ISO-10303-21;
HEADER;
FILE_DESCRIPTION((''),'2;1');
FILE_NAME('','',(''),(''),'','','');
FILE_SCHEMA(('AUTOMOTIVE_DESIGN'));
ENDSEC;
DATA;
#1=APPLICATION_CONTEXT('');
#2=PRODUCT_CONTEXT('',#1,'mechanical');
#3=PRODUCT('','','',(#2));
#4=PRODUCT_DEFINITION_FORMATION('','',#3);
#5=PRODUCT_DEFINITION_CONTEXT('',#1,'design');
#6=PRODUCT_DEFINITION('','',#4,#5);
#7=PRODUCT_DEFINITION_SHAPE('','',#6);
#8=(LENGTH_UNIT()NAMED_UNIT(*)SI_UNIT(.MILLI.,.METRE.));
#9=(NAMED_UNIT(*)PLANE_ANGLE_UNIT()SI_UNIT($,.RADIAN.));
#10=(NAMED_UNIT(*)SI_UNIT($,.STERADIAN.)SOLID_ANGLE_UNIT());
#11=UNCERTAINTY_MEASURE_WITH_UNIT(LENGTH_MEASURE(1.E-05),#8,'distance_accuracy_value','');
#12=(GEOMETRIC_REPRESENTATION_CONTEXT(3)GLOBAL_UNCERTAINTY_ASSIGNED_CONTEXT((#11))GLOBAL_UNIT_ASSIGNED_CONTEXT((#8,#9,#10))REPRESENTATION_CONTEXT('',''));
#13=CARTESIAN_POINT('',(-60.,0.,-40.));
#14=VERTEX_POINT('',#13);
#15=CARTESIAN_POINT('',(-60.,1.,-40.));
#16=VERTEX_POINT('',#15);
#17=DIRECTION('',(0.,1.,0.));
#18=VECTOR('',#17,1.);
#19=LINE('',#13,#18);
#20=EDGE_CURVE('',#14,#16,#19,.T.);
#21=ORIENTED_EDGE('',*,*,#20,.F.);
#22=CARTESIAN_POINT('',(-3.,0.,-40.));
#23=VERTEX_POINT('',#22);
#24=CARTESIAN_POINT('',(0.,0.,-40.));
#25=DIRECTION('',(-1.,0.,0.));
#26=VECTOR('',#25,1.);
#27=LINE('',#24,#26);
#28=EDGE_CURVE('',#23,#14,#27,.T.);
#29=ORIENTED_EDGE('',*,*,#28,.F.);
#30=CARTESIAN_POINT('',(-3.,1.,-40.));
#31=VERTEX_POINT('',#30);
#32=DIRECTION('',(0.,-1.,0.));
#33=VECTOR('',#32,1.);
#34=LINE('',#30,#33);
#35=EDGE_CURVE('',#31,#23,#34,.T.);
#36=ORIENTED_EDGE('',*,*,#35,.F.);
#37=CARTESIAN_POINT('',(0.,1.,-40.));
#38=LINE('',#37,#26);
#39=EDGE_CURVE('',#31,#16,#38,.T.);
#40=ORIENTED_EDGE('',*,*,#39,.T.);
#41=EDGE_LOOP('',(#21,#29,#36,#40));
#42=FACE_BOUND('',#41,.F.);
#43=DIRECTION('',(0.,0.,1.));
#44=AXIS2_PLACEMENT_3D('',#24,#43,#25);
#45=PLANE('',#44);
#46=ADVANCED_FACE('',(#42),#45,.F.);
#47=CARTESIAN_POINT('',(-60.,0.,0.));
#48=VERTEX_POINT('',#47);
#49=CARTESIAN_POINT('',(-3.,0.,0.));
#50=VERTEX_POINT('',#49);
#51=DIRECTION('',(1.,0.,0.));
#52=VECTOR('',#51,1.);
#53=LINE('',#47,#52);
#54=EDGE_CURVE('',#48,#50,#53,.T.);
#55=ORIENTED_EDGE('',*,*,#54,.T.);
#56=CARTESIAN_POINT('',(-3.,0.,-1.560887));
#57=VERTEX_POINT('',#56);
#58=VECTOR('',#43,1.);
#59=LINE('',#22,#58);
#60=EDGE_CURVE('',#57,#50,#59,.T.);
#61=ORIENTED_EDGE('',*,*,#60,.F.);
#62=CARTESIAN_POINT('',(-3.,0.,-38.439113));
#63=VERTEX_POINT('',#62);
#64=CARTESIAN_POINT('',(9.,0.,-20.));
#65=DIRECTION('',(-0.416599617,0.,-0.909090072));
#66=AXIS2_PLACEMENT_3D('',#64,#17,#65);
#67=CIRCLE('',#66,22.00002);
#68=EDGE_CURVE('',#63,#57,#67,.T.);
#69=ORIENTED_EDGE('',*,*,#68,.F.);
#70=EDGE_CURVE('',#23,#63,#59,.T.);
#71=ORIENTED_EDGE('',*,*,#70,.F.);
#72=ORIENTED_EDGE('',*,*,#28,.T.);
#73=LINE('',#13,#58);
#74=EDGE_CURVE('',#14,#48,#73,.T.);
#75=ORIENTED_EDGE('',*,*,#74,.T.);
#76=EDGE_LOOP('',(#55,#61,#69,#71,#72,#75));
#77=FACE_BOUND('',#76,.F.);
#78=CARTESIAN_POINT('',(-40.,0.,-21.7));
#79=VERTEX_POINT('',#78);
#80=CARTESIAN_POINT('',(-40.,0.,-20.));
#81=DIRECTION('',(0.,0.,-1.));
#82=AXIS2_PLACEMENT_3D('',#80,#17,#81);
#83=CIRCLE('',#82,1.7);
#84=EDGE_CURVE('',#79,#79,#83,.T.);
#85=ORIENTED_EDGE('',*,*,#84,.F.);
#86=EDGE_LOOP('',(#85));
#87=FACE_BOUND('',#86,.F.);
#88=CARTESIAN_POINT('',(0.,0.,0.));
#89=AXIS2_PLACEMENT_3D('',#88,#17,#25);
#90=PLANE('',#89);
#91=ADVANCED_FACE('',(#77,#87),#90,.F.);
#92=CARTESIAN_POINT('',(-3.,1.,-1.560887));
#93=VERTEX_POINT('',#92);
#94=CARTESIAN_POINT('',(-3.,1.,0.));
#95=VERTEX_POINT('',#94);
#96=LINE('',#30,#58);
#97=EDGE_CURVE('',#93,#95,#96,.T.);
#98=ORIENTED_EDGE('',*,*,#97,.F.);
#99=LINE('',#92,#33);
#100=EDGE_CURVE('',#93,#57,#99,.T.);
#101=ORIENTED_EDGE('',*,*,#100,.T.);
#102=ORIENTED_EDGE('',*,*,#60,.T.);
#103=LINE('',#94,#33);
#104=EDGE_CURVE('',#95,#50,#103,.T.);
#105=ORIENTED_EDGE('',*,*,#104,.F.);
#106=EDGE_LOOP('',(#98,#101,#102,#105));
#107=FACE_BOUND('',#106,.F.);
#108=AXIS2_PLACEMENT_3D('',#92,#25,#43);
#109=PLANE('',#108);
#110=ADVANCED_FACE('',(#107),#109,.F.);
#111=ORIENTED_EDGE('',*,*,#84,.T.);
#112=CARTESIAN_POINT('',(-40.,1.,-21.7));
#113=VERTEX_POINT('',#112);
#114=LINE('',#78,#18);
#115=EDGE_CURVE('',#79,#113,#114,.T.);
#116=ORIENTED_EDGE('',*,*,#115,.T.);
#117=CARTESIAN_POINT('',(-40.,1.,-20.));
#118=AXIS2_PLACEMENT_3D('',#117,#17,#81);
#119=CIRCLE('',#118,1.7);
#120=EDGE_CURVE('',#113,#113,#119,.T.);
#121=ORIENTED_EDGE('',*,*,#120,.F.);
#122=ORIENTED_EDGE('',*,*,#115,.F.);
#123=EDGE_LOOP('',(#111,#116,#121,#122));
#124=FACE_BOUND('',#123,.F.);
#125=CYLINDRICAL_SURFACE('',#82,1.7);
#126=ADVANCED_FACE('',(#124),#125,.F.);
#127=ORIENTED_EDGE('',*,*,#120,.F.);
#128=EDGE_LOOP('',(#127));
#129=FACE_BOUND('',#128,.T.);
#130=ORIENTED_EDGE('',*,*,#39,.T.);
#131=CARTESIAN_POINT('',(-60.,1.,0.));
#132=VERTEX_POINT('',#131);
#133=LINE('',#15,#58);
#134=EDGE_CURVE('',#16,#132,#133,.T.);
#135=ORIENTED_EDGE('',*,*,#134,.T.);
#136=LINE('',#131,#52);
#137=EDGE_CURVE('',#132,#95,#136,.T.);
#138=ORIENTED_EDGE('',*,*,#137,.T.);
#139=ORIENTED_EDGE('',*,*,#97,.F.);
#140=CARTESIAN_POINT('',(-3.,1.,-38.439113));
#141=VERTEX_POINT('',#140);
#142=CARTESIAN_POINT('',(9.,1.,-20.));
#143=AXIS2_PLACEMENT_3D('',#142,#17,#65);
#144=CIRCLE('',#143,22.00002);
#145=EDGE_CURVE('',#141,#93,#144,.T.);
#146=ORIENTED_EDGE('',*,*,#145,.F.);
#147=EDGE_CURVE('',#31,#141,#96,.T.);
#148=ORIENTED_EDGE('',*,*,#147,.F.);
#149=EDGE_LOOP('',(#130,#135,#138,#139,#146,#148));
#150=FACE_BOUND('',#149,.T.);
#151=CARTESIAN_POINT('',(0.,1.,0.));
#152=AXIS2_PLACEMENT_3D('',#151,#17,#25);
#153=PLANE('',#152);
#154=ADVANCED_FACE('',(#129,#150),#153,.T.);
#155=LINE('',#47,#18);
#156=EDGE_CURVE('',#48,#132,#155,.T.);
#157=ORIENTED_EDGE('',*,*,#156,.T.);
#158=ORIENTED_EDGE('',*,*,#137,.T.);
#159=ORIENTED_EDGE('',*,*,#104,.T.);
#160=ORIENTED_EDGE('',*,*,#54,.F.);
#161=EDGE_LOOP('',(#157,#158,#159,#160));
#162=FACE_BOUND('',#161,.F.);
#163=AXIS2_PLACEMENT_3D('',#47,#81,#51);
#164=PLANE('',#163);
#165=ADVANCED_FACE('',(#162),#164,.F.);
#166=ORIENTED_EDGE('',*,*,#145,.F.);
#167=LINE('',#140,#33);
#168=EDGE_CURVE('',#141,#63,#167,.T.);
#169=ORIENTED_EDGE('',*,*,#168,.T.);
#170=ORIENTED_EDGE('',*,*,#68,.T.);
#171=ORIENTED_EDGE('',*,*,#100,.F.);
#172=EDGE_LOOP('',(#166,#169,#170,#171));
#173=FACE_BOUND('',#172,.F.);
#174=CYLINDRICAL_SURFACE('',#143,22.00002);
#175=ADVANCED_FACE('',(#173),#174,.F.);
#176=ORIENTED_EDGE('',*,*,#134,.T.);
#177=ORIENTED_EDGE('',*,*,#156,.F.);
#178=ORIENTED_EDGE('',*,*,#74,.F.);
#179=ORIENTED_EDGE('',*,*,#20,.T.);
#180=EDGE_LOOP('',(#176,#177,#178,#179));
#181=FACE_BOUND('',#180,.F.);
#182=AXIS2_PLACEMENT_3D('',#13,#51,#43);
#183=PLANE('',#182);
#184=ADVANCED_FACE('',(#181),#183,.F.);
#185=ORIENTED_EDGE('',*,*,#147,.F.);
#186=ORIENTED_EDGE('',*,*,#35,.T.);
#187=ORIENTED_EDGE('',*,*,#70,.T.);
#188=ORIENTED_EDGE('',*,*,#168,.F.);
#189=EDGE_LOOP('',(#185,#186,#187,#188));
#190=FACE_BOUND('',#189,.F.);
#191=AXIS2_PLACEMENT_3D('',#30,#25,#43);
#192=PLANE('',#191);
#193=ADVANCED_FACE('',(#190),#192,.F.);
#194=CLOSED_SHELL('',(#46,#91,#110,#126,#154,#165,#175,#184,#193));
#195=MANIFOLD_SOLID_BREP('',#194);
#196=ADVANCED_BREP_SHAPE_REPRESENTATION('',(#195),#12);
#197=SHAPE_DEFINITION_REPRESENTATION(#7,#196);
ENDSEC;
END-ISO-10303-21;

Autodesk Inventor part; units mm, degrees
ref_plane "YZ Plane" through (0, 0, 0) normal (1, 0, 0) x (0, 1, 0)
ref_plane "XZ Plane" through (0, 0, 0) normal (0, 1, 0) x (-1, 0, 0)
ref_plane "XY Plane" through (0, 0, 0) normal (0, 0, 1) x (1, 0, 0)
sketch "Boceto1" plane through (0, 0, 0) normal (0, 1, 0) x (-1, 0, 0)
  line L0 (0, 0) -> (0, -40)
  line L1 (0, -40) -> (60, -40)
  line L2 (60, 0) -> (0, 0)
  line L3 (60, -40) -> (60, 0)
  dimension "d1" = 60
  dimension "d3" = 40
extrude "Extrusión1" add sketch "Boceto1" along normal blind 1
sketch "Boceto2" plane through (0, 0, 0) normal (0, -1, 0) x (1, 0, 0)
  line L0 (0, 0) -> (0, -40) projected
  circle A0 centre (9, -20) radius 22
  point P0 (0, -20)
  dimension "d7" = 44
  dimension "d8" = 9
extrude "Extrusión2" cut sketch "Boceto2" against normal through all
sketch "Boceto3" plane through (0, 1, 0) normal (0, 1, 0) x (1, 0, 0)
  arc A0 (-0.1652, 40) -> (-0.1652, 0) centre (9, 20) ccw projected
  line L0 (-0.1652, 40) -> (-60, 40) projected
  line L1 (-60, 40) -> (-60, 0) projected
  line L2 (-60, 0) -> (-0.1652, 0) projected
  line L3 (-60, 40) -> (-3, 40)
  line L4 (-3, 40) -> (-3, 0)
  line L5 (-3, 0) -> (-60, 0)
  line L6 (-60, 0) -> (-60, 40)
  point P0 (0, 0)
  point P1 (-3, 38.4391)
  point P2 (-3, 1.5609)
  dimension "d11" = 57
extrude "Extrusión3" cut sketch "Boceto3" against normal through all contours A0 L4 L2 L1 L0 keep common part
sketch "Boceto4" plane through (0, 0, 0) normal (0, -1, 0) x (1, 0, 0)
  point P0 (-40, -20)
hole "Agujero1" at (-40, 0, -20) direction (0, 1, 0) diameter 3.4 end through all
properties part number "platina_1"
